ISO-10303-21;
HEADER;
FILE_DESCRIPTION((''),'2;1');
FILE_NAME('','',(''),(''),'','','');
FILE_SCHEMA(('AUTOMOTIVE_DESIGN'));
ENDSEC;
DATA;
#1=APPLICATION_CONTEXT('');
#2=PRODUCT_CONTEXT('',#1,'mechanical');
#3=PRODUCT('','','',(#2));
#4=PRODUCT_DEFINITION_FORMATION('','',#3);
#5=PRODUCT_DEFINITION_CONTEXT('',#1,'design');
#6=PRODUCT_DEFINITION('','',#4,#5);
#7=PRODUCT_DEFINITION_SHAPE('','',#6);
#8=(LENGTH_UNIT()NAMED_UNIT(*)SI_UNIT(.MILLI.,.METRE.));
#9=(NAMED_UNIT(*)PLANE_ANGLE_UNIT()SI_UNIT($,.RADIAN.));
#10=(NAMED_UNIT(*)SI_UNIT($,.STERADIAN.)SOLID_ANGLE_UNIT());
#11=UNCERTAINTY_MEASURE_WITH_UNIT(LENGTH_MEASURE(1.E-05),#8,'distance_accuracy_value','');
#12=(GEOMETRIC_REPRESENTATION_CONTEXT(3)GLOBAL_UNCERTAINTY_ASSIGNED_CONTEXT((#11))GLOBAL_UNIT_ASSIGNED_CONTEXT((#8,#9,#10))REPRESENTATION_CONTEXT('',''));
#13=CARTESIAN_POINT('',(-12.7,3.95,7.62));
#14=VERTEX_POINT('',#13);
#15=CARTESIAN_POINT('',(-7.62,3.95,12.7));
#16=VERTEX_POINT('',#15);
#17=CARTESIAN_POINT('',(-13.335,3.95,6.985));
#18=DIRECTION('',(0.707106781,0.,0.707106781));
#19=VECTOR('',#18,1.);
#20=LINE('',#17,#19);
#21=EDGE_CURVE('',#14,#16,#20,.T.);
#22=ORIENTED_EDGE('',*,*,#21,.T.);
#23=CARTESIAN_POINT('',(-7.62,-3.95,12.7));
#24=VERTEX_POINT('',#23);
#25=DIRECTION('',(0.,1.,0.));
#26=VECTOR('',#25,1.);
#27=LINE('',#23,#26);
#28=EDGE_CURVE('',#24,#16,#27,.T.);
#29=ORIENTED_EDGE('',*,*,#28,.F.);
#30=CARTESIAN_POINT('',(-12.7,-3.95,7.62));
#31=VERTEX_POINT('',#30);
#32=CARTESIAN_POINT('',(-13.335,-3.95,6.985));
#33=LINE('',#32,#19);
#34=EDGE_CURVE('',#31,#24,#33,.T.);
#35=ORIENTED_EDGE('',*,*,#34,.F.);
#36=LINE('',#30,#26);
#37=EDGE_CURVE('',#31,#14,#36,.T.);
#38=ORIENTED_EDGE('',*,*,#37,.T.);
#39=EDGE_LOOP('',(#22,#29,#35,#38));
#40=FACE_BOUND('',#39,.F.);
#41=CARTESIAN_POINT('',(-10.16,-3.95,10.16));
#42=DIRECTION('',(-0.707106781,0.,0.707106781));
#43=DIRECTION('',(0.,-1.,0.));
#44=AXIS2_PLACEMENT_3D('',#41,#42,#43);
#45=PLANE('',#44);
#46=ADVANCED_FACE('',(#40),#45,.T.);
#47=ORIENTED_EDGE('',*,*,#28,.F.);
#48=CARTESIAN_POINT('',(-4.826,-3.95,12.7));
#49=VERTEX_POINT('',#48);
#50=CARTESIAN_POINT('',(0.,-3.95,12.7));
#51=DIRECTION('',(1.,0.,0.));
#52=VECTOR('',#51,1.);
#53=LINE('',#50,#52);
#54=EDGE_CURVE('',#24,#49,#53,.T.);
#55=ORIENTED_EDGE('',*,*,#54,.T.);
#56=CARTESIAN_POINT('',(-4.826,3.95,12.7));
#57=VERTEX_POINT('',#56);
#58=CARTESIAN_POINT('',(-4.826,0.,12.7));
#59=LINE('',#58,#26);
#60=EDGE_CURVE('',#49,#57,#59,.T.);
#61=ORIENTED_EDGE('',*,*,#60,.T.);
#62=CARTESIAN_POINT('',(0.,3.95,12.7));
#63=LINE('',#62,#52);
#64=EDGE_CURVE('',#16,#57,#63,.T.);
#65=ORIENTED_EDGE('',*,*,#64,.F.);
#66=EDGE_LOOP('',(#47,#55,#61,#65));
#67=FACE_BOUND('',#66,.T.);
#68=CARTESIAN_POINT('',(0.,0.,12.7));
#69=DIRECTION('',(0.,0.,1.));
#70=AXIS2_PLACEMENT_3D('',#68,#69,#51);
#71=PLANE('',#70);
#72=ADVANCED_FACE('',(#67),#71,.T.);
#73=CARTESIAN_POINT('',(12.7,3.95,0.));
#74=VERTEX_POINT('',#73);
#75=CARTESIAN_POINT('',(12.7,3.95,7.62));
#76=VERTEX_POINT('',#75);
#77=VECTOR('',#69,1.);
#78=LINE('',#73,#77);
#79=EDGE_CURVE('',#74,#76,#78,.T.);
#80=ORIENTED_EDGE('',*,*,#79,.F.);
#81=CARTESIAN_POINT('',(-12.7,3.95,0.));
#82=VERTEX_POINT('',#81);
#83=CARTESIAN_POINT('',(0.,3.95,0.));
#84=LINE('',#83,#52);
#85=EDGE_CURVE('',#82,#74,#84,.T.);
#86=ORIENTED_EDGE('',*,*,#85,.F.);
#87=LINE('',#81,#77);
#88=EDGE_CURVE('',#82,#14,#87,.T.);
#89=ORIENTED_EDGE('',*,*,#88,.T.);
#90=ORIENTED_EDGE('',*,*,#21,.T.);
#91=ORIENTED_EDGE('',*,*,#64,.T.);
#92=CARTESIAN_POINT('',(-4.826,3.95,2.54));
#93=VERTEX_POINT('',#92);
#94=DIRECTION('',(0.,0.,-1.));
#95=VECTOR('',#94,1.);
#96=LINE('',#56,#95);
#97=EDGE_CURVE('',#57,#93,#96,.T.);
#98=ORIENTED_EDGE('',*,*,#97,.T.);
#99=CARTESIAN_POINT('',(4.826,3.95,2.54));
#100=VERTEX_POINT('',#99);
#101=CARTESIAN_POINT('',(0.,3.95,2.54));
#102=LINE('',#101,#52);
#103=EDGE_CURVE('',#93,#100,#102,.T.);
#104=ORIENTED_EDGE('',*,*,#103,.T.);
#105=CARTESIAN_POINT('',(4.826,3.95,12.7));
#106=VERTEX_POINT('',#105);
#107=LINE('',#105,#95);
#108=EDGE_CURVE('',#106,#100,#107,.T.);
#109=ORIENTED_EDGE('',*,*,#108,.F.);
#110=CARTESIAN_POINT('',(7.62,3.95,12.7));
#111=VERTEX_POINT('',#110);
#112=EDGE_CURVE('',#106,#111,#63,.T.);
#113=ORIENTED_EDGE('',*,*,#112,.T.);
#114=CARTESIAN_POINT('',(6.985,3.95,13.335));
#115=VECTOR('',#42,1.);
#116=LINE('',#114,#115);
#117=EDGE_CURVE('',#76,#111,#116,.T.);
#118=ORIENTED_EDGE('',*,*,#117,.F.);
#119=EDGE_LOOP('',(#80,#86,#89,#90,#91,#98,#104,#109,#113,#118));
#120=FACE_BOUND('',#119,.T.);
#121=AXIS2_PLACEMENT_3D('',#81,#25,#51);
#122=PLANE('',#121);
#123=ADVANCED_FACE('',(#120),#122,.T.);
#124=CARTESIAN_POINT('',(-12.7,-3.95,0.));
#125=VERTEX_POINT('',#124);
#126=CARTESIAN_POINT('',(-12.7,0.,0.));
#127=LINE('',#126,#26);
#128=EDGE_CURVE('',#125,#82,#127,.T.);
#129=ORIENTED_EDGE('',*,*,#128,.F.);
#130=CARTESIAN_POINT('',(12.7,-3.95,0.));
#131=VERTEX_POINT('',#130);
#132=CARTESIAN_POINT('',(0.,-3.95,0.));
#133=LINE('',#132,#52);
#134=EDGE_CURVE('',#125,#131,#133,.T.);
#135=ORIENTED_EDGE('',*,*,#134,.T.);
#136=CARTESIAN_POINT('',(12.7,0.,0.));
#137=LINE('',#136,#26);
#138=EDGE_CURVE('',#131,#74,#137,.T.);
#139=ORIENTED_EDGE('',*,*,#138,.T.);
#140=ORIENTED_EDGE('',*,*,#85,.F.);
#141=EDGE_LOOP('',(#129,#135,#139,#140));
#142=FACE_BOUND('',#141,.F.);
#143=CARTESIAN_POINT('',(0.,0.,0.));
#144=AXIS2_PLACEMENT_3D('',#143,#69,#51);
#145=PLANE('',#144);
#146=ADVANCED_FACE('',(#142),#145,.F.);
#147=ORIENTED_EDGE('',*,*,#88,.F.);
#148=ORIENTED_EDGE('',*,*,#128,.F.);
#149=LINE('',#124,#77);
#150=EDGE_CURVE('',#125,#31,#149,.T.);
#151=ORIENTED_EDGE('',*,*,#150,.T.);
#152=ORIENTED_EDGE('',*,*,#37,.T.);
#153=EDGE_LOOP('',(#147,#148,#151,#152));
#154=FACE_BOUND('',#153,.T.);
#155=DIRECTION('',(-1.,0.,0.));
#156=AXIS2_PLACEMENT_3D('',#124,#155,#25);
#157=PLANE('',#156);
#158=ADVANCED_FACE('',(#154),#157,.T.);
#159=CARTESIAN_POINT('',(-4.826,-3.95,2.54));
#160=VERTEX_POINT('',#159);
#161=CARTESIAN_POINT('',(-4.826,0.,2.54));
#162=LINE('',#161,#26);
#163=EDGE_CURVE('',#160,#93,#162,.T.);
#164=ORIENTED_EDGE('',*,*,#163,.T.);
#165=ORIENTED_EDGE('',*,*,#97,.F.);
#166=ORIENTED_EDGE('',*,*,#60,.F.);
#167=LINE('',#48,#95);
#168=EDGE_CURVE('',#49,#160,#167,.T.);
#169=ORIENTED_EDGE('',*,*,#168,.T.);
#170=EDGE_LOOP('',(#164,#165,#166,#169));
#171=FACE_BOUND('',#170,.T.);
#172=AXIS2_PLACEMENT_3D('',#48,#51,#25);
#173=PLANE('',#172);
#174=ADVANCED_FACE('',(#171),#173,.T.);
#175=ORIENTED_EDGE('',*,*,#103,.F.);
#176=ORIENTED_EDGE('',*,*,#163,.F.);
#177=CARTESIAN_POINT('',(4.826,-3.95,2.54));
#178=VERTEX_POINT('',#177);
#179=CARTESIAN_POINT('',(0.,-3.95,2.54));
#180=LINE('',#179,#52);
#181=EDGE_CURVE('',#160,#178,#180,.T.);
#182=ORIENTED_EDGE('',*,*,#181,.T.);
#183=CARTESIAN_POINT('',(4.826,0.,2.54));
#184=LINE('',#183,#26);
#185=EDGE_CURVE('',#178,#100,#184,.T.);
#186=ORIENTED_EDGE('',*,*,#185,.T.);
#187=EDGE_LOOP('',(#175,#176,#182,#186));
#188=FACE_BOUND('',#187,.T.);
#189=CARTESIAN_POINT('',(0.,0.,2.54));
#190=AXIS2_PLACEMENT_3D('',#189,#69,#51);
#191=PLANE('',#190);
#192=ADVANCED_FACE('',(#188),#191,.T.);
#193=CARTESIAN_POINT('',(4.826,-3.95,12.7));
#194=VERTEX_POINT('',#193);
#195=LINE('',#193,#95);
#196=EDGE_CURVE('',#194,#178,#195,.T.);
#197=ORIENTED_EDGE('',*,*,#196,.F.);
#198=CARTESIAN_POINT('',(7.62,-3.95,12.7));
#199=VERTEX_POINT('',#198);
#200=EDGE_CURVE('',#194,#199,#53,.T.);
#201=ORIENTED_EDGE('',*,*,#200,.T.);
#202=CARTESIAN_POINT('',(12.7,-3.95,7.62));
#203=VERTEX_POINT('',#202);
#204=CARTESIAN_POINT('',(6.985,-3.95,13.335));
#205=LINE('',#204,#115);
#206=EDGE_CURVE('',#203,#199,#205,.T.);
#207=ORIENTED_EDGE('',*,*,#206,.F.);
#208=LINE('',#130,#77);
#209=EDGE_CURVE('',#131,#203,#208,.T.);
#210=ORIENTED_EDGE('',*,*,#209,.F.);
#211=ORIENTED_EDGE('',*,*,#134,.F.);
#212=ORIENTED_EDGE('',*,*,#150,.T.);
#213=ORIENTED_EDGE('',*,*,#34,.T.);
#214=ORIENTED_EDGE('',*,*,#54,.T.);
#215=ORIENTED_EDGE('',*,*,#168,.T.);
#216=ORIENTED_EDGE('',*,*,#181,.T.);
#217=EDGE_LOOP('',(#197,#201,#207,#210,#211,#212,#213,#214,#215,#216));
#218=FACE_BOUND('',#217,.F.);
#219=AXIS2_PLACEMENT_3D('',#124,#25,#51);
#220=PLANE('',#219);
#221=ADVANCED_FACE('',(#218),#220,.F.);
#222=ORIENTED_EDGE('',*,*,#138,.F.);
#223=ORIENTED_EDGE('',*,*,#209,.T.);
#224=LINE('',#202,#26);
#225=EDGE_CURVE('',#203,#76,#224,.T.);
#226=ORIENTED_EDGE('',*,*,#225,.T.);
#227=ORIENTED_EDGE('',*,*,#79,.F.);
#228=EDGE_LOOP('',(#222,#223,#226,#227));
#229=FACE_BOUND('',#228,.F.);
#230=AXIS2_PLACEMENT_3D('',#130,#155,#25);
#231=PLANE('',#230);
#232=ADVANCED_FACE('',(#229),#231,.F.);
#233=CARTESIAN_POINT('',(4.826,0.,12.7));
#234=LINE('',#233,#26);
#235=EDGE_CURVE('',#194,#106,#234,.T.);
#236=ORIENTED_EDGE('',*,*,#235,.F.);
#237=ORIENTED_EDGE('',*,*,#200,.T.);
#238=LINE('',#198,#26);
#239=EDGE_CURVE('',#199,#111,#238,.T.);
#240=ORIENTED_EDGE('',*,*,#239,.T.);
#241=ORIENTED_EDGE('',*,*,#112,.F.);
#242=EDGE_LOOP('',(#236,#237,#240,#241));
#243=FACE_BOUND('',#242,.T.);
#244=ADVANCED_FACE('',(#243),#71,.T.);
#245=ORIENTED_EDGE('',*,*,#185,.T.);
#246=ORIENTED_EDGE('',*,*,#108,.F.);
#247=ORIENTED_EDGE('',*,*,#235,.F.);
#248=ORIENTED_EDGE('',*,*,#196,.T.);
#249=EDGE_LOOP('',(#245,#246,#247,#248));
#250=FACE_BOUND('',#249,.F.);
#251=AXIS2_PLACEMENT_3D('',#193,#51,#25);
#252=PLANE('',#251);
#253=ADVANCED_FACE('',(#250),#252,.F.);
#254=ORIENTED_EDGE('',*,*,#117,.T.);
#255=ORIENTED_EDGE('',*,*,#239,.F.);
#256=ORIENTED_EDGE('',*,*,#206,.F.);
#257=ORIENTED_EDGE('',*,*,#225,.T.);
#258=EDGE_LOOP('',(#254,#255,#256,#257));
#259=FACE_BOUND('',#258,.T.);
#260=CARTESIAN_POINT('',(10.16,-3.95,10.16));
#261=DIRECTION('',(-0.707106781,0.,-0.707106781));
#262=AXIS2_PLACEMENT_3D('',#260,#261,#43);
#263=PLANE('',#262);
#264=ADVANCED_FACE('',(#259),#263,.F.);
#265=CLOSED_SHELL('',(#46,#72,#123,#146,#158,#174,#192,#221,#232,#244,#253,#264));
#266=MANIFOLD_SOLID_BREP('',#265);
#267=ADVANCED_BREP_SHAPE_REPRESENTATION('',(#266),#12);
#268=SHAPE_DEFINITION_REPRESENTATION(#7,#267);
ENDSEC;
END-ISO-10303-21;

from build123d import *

# Parameters (mm, degrees)
F0_W     = 25.4
F0_H     = 7.9
F1_DEPTH = 12.7
F2_SIZE  = 5.08
F3_W     = 9.652
F3_H     = 7.9
F4_DEPTH = 10.16


with BuildPart() as f1:
    # F0 (on Top) → F1 (new body)
    with BuildSketch(Plane.XY):
        Rectangle(F0_W, F0_H)
    extrude(amount=F1_DEPTH)

    # F2
    f2_edges = [f1.edges().sort_by_distance(p)[0] for p in [
        (12.7, 0, 12.7),
        (-12.7, 0, 12.7),
    ]]
    chamfer(f2_edges, length=F2_SIZE)

    # F3 (on face) → F4 (cut)
    with BuildSketch(Plane.XY.offset(12.7)):
        Rectangle(F3_W, F3_H)
    extrude(amount=-F4_DEPTH, mode=Mode.SUBTRACT)


solid = f1.part
